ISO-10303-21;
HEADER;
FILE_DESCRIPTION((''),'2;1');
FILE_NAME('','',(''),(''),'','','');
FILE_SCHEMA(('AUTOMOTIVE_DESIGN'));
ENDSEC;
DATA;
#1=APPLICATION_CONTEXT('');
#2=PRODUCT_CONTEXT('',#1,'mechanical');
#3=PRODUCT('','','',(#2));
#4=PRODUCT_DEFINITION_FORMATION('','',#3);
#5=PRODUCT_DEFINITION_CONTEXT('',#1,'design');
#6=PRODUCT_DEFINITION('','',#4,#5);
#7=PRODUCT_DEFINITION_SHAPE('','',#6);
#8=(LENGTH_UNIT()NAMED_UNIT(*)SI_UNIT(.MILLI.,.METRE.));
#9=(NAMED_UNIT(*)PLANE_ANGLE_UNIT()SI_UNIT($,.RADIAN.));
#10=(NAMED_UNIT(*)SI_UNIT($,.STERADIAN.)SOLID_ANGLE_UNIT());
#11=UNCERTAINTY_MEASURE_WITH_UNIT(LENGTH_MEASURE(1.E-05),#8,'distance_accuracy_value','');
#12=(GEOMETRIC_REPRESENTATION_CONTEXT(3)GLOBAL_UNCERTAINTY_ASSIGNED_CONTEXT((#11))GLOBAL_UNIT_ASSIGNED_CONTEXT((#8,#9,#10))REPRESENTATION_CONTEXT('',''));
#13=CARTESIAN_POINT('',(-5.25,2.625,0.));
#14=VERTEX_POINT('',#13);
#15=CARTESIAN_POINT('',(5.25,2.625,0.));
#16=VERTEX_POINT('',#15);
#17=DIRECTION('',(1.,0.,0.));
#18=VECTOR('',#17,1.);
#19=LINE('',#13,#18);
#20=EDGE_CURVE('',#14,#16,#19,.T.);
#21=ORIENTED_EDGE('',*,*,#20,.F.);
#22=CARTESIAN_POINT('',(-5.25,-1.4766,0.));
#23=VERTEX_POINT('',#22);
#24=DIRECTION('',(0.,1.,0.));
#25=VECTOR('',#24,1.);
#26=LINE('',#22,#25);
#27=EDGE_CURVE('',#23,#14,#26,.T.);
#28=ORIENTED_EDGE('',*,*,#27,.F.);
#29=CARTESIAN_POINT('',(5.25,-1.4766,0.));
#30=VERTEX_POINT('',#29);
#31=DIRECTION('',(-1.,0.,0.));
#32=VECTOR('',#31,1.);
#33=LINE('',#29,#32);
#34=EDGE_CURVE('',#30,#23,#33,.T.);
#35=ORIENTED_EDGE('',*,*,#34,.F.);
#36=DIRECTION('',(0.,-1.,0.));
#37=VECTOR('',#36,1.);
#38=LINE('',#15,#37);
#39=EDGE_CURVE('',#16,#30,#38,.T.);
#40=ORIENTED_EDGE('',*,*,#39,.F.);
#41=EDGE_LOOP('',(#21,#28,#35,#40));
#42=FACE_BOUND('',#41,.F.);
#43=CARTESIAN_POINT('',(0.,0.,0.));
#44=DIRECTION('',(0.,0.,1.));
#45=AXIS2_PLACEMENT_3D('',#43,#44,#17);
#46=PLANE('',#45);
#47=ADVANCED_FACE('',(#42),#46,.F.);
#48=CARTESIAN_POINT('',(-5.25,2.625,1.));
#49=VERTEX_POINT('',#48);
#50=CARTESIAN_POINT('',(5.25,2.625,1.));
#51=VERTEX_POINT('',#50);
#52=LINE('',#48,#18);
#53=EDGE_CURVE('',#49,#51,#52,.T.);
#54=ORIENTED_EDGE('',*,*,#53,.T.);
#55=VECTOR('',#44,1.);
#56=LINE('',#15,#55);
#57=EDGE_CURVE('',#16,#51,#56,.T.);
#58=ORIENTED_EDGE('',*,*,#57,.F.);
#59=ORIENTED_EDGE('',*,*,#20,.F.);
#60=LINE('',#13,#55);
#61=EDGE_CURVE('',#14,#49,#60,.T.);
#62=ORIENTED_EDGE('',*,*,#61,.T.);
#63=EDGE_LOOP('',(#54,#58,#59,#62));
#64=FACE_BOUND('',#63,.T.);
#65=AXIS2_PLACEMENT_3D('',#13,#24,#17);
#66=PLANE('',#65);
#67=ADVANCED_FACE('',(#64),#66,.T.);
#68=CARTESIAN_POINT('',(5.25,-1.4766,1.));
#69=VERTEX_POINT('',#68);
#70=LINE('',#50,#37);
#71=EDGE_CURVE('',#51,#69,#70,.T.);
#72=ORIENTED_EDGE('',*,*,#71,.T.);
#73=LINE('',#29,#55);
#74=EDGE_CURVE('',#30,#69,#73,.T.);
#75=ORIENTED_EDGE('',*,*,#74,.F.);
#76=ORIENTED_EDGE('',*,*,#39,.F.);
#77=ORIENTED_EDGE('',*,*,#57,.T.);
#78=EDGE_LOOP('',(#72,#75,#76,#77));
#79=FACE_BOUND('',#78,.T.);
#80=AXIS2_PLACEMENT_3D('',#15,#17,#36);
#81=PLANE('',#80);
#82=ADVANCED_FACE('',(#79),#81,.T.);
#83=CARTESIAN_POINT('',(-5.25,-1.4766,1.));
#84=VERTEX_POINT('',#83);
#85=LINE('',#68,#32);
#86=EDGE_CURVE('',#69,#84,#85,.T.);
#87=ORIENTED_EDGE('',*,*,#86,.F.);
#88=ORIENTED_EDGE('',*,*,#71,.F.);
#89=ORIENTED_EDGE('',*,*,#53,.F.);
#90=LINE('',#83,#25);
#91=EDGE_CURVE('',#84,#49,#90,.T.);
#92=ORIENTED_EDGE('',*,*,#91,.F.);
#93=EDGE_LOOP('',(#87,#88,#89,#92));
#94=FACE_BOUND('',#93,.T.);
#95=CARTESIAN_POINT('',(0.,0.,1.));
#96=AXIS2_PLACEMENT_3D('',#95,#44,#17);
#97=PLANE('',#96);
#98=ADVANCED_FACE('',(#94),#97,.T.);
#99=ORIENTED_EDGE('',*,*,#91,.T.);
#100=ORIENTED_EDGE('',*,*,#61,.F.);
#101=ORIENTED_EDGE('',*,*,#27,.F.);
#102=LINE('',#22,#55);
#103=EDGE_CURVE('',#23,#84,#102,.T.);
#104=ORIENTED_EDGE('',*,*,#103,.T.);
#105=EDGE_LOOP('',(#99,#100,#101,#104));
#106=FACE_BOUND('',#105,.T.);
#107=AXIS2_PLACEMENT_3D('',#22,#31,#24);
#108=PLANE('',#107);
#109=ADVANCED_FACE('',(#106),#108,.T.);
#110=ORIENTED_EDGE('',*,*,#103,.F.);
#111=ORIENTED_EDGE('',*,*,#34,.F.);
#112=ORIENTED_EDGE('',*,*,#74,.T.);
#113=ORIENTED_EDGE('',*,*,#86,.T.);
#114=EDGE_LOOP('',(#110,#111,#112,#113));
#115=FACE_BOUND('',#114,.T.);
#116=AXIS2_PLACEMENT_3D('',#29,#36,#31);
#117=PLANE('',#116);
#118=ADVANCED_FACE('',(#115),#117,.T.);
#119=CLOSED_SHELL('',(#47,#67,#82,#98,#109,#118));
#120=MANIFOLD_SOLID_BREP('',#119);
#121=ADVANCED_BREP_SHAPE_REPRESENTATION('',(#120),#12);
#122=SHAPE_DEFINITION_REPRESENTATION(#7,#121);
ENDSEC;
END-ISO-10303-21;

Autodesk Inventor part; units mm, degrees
ref_plane "YZ Plane" through (0, 0, 0) normal (1, 0, 0) x (0, 1, 0)
ref_plane "XZ Plane" through (0, 0, 0) normal (0, 1, 0) x (-1, 0, 0)
ref_plane "XY Plane" through (0, 0, 0) normal (0, 0, 1) x (1, 0, 0)
sketch "53261-04, 53261-04_22" plane through (0, 0, 0) normal (0, 0, 1) x (1, 0, 0)
  line L0 (-5.25, 2.625) -> (5.25, 2.625)
  line L1 (5.25, 2.625) -> (5.25, -1.4766)
  line L2 (5.25, -1.4766) -> (-5.25, -1.4766)
  line L3 (-5.25, -1.4766) -> (-5.25, 2.625)
extrude "Extrusion1" add sketch "53261-04, 53261-04_22" along normal blind 1
properties part number "53261-04"
